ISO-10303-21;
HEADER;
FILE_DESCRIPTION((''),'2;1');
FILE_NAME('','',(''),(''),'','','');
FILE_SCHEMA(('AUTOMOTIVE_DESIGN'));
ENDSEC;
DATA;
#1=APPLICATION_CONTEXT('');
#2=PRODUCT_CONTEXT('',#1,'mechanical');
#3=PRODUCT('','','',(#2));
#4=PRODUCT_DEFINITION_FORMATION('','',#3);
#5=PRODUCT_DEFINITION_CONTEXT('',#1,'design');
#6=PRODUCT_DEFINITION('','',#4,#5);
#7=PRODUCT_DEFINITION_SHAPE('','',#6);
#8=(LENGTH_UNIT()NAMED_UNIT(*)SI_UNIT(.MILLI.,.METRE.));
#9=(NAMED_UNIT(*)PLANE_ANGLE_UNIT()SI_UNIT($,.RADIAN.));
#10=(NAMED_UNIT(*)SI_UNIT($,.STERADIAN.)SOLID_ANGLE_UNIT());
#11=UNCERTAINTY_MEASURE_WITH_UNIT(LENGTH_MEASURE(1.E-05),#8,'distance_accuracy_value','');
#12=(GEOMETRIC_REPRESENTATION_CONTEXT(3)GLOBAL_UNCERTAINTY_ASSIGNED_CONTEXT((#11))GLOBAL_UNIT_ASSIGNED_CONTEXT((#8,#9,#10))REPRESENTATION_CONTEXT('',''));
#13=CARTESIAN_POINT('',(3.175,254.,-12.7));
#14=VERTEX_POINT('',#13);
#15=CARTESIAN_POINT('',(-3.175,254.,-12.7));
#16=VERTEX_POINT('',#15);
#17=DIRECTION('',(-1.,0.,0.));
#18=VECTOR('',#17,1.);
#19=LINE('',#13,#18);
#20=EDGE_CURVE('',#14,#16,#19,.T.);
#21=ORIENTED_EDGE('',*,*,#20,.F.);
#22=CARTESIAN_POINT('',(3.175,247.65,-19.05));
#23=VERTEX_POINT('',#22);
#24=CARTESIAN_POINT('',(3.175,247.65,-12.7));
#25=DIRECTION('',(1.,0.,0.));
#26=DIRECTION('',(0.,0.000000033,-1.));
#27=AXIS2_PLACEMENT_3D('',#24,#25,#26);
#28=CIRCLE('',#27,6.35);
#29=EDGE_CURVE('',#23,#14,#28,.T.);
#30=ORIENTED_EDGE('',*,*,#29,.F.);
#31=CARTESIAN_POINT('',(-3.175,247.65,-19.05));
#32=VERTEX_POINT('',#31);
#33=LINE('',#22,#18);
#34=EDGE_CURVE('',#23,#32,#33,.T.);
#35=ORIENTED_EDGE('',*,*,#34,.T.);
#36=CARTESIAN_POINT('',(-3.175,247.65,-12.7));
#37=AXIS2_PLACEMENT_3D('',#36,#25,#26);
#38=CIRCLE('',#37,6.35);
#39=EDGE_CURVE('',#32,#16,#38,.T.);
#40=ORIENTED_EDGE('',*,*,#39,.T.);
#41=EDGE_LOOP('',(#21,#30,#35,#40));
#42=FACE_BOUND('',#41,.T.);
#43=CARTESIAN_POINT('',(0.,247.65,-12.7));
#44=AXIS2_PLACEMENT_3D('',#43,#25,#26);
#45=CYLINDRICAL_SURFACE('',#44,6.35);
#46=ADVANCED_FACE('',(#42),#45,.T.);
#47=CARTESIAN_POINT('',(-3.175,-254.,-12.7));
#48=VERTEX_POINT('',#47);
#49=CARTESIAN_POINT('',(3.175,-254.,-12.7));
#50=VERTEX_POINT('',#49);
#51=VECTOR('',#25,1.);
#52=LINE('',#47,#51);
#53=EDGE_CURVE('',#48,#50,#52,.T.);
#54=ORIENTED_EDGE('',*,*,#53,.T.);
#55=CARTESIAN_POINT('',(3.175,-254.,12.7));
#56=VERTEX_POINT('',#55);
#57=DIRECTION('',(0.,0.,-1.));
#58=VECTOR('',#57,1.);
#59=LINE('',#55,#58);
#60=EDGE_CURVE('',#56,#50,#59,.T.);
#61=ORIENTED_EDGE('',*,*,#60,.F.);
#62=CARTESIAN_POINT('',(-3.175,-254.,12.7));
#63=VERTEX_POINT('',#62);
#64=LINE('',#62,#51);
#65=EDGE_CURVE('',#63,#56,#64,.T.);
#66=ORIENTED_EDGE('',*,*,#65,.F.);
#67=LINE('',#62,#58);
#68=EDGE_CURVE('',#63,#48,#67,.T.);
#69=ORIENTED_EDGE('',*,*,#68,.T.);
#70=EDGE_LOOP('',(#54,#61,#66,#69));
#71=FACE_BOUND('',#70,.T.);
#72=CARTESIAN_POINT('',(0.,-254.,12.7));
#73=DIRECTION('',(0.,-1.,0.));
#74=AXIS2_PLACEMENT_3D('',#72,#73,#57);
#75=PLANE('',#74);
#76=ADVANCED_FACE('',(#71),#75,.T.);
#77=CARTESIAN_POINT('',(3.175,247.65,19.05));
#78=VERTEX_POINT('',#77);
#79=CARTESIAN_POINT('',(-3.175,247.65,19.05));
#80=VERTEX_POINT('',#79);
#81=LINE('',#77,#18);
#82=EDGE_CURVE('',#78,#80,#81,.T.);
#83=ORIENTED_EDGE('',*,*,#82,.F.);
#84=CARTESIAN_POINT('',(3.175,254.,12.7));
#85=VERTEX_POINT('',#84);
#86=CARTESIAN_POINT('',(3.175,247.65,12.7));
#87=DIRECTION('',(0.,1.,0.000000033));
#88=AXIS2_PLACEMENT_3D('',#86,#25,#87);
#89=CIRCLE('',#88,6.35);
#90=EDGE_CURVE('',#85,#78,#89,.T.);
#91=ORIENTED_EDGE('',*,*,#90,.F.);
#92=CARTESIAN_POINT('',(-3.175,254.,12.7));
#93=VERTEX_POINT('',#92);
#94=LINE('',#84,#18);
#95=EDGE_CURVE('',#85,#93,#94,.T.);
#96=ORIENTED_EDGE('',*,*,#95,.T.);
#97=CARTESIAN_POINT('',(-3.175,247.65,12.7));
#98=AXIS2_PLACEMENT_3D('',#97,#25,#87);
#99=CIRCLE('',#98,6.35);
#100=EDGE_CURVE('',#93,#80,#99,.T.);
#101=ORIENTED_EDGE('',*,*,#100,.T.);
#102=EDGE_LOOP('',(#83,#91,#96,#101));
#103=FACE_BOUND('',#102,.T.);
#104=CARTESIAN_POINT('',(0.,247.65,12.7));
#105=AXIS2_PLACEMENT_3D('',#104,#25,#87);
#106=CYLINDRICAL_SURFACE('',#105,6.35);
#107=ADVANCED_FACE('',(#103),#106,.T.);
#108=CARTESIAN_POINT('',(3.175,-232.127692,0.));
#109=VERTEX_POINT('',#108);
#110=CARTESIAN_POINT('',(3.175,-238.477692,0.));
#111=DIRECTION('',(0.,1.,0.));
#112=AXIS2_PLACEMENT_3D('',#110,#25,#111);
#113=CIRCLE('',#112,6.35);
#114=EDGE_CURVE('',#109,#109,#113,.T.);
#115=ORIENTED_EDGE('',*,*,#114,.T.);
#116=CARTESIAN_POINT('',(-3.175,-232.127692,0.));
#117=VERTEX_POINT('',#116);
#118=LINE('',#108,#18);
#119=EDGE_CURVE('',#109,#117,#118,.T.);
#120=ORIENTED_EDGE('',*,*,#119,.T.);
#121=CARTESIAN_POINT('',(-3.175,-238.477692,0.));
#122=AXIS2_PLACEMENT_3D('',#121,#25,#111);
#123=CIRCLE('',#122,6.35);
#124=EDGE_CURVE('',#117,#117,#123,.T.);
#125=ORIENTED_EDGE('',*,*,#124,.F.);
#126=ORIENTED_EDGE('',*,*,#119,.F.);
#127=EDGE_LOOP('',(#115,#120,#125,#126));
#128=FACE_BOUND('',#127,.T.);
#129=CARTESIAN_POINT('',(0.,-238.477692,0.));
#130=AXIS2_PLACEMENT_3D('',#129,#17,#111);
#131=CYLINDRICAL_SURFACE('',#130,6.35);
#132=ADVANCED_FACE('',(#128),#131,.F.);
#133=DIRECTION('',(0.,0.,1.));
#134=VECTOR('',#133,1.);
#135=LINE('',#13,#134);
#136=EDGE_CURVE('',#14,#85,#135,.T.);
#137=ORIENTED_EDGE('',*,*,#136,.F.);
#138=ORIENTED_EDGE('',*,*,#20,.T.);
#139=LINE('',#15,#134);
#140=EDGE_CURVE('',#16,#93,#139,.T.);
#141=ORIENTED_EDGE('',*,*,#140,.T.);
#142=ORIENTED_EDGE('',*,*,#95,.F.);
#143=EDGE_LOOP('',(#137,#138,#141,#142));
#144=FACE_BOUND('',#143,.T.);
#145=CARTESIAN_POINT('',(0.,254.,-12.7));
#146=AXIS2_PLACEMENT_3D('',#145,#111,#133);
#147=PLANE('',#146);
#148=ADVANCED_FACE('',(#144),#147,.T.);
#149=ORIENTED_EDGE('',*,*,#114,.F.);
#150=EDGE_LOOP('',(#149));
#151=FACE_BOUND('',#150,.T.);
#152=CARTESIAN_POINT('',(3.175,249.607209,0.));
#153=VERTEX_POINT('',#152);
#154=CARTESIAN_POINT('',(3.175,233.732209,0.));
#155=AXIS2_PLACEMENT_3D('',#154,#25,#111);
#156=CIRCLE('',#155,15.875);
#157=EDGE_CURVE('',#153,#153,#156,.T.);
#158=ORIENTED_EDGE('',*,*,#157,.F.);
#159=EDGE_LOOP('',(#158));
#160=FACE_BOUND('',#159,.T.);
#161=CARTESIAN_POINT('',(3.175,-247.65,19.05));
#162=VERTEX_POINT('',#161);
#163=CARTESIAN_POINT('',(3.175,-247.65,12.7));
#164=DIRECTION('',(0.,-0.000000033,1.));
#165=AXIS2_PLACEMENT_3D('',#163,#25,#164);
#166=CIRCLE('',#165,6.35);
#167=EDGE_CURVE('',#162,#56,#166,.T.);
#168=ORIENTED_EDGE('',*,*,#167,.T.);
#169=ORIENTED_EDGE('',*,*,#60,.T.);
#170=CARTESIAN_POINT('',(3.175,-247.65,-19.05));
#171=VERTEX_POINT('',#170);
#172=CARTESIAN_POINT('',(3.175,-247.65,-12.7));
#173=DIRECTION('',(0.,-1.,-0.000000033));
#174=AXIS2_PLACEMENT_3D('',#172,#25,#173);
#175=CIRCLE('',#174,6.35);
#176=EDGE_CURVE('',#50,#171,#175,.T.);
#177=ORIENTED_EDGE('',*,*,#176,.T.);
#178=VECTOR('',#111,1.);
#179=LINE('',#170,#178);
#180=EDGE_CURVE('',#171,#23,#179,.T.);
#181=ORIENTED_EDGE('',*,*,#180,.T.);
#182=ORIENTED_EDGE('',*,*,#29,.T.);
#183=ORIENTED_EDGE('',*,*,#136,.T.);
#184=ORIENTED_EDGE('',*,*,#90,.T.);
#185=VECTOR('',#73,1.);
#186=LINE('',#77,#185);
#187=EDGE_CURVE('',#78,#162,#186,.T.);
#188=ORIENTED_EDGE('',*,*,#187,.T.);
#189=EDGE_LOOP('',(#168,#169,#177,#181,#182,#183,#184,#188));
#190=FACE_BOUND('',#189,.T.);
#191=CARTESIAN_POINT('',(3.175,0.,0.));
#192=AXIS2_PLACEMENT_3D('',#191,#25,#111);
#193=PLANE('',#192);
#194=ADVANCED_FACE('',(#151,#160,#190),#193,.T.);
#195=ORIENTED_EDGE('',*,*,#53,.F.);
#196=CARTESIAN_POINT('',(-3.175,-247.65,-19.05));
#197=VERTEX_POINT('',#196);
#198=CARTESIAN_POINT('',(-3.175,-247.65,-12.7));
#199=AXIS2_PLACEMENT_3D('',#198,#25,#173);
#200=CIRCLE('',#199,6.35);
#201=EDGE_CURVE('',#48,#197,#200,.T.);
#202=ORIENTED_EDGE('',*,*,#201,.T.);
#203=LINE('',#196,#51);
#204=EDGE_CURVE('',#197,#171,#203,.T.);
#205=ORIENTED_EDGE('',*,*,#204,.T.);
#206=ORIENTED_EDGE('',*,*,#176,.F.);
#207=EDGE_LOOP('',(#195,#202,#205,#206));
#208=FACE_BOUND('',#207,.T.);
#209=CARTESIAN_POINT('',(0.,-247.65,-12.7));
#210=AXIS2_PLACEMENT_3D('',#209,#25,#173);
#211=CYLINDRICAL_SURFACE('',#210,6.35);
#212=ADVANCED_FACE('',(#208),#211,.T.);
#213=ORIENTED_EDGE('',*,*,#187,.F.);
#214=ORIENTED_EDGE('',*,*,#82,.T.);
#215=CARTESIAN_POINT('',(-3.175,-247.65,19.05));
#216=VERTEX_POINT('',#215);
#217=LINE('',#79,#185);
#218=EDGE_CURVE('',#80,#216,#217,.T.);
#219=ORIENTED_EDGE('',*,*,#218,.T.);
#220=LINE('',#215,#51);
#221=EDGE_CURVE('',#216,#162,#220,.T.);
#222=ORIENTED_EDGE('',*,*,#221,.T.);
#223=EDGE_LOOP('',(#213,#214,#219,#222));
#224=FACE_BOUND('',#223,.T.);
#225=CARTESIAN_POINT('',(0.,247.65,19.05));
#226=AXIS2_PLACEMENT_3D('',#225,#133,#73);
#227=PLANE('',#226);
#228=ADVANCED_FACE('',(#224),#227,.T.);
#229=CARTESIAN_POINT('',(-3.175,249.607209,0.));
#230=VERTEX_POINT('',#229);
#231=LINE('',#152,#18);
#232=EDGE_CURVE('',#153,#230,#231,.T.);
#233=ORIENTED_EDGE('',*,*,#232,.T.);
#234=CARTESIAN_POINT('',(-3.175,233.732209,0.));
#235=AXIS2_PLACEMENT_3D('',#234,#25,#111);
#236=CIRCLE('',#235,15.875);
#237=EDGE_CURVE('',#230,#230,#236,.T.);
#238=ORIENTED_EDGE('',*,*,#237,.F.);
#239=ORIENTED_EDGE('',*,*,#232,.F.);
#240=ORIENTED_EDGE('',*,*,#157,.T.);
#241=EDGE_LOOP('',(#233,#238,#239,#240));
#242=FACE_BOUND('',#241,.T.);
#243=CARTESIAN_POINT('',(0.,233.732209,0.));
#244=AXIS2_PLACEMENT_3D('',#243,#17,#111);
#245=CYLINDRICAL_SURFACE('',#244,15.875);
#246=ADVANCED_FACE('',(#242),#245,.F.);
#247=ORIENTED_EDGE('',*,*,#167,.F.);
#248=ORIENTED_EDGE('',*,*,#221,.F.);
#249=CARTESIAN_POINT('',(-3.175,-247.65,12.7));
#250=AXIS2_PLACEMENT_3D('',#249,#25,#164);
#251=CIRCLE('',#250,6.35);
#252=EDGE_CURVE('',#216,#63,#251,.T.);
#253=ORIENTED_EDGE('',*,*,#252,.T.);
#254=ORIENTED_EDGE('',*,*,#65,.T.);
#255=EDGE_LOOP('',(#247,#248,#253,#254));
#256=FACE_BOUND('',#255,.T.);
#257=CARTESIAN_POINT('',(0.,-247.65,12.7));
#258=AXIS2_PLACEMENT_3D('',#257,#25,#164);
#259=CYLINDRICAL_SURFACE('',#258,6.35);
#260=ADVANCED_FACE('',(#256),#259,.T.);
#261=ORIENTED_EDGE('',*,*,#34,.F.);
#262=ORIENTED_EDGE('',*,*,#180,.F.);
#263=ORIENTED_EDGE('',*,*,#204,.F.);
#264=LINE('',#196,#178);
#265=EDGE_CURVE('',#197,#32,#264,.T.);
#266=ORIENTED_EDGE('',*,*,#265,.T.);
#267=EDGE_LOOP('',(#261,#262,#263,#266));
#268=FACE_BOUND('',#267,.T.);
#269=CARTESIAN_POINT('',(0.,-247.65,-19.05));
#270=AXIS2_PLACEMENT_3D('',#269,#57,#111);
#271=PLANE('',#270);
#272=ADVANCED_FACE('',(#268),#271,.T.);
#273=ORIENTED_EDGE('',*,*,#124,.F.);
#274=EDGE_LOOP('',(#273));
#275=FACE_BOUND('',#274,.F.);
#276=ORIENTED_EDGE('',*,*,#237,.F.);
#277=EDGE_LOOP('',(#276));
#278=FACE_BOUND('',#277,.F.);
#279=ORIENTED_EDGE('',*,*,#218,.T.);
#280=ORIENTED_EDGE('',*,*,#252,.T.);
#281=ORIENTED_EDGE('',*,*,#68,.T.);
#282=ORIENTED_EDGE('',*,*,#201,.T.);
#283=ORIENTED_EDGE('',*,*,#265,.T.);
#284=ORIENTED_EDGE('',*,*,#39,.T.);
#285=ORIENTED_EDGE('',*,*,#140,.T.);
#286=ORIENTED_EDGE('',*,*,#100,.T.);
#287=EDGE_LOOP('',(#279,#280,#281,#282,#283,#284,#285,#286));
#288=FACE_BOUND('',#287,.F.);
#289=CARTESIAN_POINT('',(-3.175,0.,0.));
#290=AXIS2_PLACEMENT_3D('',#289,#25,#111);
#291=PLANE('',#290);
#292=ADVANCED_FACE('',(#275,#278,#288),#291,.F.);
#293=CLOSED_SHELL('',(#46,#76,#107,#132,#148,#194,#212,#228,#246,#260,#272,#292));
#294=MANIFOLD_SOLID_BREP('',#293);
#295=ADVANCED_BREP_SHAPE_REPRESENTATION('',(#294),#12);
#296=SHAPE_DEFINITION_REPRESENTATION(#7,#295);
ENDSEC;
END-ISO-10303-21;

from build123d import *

# Parameters (mm, degrees)
F0_R     = 6.35
F0_R_2   = 15.875
F1_DEPTH = 3.175


with BuildPart() as f1:
    # F0 (on Right) → F1 (new body, symmetric)
    with BuildSketch(Plane.YZ):
        with BuildLine():
            Line((247.65, 19.05), (-247.65, 19.05))
            ThreePointArc((-247.65, 19.05), (-252.140128, 17.190128), (-254, 12.7))
            Line((-254, 12.7), (-254, -12.7))
            ThreePointArc((-254, -12.7), (-252.140128, -17.190128), (-247.65, -19.05))
            Line((-247.65, -19.05), (247.65, -19.05))
            ThreePointArc((247.65, -19.05), (252.140128, -17.190128), (254, -12.7))
            Line((254, -12.7), (254, 12.7))
            ThreePointArc((254, 12.7), (252.140128, 17.190128), (247.65, 19.05))
        make_face()
        with Locations((-238.477692, 0)):
            Circle(F0_R, mode=Mode.SUBTRACT)
        with Locations((233.732209, 0)):
            Circle(F0_R_2, mode=Mode.SUBTRACT)
    extrude(amount=F1_DEPTH, both=True)


solid = f1.part
